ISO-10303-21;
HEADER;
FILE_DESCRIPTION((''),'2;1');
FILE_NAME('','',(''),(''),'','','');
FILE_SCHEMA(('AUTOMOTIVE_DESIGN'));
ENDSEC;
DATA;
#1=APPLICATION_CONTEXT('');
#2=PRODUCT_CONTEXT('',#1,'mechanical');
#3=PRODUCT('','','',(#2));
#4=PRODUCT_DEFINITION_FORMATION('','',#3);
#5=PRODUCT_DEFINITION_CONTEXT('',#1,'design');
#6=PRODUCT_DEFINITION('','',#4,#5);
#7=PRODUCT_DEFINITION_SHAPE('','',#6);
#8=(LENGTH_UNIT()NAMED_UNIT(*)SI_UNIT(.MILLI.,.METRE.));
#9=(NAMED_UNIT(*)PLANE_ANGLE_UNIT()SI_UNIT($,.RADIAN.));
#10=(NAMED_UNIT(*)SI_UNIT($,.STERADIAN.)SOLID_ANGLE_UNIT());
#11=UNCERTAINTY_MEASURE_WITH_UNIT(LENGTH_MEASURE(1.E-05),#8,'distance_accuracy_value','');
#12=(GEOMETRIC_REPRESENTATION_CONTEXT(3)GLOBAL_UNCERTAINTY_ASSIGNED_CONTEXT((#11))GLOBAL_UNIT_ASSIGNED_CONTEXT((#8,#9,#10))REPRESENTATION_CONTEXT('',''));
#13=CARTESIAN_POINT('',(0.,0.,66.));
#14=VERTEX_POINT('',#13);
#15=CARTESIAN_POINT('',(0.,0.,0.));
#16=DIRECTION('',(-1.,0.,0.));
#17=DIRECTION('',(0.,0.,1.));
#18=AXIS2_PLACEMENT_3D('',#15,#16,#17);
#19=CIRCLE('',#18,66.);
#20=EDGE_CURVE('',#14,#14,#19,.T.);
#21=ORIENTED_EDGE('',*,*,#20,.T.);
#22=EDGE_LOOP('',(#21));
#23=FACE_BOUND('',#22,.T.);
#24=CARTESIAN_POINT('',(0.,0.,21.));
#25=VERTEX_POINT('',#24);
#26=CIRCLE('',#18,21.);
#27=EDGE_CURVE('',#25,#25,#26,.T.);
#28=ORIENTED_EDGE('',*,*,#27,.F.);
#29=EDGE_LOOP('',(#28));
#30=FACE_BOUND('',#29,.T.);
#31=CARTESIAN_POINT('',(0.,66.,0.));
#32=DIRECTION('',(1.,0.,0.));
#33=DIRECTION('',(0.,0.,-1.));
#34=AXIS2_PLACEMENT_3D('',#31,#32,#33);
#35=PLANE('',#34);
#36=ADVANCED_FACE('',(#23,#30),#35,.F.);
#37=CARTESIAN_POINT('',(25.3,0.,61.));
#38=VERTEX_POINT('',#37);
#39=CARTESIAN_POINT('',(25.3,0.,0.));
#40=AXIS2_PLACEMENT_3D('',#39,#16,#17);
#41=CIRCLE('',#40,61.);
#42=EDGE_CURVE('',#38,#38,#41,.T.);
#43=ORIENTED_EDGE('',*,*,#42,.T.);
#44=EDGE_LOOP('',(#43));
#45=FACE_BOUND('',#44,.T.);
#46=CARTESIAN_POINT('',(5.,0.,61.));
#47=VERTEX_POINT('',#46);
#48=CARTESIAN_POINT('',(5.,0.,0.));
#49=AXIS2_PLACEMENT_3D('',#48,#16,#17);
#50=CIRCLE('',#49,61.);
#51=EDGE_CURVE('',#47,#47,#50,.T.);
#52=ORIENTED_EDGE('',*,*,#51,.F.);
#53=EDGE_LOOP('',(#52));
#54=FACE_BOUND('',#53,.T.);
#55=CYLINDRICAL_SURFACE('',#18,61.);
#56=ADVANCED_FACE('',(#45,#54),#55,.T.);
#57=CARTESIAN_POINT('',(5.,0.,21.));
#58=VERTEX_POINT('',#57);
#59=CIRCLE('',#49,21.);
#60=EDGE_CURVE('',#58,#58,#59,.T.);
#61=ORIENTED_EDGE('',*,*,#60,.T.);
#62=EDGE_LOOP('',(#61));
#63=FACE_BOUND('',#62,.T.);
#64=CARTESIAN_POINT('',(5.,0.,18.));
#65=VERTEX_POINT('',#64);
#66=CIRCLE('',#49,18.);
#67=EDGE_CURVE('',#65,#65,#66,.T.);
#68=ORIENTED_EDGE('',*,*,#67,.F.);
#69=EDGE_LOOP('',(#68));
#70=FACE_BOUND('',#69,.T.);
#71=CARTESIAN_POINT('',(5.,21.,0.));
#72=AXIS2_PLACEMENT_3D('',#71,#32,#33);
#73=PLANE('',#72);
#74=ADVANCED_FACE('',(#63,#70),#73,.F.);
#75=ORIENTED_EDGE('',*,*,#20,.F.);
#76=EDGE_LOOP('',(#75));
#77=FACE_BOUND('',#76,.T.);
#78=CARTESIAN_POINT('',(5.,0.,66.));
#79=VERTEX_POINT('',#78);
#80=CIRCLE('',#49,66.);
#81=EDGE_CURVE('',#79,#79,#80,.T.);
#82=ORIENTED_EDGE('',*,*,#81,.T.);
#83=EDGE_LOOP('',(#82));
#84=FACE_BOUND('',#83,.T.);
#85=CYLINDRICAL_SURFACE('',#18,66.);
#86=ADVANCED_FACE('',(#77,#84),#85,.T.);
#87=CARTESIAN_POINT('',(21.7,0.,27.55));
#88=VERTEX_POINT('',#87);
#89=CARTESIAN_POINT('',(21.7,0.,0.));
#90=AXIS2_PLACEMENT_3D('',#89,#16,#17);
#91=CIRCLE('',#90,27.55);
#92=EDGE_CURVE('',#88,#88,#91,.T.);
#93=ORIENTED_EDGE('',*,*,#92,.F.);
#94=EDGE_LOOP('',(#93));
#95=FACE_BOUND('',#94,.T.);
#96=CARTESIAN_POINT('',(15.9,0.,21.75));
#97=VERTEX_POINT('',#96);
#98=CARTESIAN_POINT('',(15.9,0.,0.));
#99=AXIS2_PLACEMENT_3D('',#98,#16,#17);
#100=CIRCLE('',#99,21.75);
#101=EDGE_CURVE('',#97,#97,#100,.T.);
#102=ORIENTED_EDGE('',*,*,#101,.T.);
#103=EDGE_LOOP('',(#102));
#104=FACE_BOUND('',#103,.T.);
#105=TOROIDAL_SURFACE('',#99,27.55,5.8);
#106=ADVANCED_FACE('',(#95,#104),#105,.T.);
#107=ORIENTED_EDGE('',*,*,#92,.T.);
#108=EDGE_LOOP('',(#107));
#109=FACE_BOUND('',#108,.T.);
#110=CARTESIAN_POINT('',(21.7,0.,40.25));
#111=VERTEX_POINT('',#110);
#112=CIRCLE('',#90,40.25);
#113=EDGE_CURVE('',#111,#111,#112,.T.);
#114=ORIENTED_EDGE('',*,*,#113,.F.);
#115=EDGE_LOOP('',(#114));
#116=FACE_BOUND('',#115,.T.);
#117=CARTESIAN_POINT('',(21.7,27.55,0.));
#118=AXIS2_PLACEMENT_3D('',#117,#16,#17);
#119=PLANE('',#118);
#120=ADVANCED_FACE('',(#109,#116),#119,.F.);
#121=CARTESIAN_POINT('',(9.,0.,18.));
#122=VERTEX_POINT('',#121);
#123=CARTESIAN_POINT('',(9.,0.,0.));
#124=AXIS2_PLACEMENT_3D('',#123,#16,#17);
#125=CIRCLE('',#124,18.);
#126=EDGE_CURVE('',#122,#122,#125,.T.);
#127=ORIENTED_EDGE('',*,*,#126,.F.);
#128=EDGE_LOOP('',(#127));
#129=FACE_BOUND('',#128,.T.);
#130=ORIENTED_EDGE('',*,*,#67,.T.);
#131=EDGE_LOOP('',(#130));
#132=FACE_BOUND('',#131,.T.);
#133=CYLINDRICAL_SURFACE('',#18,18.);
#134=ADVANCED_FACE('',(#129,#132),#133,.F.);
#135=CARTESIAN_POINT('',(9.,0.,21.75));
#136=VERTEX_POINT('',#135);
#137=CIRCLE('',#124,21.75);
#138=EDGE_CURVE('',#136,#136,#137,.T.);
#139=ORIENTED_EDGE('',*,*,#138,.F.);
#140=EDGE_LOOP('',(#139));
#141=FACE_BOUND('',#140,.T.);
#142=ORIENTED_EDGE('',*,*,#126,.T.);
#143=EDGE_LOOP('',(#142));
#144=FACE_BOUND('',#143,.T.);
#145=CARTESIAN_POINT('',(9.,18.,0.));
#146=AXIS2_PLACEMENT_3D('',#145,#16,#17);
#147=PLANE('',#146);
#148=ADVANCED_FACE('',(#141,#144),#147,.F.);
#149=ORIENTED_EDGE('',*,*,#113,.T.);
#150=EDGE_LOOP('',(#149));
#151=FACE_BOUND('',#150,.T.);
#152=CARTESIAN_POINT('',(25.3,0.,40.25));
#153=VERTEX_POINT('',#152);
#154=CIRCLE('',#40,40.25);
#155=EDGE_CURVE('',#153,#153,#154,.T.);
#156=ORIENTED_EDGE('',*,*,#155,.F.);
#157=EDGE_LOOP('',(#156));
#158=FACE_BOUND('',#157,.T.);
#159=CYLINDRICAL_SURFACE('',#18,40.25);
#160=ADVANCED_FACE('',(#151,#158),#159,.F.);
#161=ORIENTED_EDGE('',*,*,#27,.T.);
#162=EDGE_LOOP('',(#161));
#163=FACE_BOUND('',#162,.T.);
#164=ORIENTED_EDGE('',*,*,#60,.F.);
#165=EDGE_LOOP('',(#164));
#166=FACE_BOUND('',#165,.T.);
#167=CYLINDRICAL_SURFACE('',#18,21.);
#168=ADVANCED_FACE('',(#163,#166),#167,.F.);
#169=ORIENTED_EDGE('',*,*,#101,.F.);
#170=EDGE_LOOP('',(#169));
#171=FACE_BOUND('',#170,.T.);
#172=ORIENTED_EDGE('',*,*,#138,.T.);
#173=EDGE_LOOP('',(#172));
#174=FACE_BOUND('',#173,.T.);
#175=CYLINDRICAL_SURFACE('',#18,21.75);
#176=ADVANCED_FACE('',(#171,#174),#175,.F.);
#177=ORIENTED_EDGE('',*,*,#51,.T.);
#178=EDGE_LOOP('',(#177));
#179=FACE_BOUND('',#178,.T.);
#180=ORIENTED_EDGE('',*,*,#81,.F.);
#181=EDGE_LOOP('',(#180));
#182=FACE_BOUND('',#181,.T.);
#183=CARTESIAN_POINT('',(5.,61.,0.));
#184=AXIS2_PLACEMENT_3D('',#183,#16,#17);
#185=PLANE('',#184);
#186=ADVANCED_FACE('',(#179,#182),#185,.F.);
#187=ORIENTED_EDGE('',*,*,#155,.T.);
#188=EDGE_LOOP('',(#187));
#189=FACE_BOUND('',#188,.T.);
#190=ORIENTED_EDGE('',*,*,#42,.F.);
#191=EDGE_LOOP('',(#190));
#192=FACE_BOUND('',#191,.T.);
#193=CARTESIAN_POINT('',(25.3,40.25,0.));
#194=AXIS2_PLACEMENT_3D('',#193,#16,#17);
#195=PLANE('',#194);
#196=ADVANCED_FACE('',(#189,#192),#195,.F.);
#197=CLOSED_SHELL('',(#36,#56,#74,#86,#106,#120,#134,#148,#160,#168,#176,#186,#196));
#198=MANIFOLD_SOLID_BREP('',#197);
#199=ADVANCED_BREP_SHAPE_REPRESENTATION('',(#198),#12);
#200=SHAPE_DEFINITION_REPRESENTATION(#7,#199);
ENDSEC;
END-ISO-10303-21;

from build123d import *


with BuildPart() as part:
    # Sketch1 → Body (revolve)
    with BuildSketch(Plane.XY):
        with BuildLine():
            Line((0, 21), (5, 21))
            Line((5, 21), (5, 18))
            Line((5, 18), (9, 18))
            Line((9, 18), (9, 21.75))
            Line((9, 21.75), (15.9, 21.75))
            ThreePointArc((15.9, 21.75), (20.001219331, 23.448780669), (21.7, 27.55))
            Line((21.7, 27.55), (21.7, 40.25))
            Line((21.7, 40.25), (25.3, 40.25))
            Line((25.3, 40.25), (25.3, 61))
            Line((25.3, 61), (5, 61))
            Line((5, 61), (5, 66))
            Line((5, 66), (0, 66))
            Line((0, 66), (0, 21))
        make_face()
    revolve(axis=Axis((0, 0, 0), (1, 0, 0)))


solid = part.part
